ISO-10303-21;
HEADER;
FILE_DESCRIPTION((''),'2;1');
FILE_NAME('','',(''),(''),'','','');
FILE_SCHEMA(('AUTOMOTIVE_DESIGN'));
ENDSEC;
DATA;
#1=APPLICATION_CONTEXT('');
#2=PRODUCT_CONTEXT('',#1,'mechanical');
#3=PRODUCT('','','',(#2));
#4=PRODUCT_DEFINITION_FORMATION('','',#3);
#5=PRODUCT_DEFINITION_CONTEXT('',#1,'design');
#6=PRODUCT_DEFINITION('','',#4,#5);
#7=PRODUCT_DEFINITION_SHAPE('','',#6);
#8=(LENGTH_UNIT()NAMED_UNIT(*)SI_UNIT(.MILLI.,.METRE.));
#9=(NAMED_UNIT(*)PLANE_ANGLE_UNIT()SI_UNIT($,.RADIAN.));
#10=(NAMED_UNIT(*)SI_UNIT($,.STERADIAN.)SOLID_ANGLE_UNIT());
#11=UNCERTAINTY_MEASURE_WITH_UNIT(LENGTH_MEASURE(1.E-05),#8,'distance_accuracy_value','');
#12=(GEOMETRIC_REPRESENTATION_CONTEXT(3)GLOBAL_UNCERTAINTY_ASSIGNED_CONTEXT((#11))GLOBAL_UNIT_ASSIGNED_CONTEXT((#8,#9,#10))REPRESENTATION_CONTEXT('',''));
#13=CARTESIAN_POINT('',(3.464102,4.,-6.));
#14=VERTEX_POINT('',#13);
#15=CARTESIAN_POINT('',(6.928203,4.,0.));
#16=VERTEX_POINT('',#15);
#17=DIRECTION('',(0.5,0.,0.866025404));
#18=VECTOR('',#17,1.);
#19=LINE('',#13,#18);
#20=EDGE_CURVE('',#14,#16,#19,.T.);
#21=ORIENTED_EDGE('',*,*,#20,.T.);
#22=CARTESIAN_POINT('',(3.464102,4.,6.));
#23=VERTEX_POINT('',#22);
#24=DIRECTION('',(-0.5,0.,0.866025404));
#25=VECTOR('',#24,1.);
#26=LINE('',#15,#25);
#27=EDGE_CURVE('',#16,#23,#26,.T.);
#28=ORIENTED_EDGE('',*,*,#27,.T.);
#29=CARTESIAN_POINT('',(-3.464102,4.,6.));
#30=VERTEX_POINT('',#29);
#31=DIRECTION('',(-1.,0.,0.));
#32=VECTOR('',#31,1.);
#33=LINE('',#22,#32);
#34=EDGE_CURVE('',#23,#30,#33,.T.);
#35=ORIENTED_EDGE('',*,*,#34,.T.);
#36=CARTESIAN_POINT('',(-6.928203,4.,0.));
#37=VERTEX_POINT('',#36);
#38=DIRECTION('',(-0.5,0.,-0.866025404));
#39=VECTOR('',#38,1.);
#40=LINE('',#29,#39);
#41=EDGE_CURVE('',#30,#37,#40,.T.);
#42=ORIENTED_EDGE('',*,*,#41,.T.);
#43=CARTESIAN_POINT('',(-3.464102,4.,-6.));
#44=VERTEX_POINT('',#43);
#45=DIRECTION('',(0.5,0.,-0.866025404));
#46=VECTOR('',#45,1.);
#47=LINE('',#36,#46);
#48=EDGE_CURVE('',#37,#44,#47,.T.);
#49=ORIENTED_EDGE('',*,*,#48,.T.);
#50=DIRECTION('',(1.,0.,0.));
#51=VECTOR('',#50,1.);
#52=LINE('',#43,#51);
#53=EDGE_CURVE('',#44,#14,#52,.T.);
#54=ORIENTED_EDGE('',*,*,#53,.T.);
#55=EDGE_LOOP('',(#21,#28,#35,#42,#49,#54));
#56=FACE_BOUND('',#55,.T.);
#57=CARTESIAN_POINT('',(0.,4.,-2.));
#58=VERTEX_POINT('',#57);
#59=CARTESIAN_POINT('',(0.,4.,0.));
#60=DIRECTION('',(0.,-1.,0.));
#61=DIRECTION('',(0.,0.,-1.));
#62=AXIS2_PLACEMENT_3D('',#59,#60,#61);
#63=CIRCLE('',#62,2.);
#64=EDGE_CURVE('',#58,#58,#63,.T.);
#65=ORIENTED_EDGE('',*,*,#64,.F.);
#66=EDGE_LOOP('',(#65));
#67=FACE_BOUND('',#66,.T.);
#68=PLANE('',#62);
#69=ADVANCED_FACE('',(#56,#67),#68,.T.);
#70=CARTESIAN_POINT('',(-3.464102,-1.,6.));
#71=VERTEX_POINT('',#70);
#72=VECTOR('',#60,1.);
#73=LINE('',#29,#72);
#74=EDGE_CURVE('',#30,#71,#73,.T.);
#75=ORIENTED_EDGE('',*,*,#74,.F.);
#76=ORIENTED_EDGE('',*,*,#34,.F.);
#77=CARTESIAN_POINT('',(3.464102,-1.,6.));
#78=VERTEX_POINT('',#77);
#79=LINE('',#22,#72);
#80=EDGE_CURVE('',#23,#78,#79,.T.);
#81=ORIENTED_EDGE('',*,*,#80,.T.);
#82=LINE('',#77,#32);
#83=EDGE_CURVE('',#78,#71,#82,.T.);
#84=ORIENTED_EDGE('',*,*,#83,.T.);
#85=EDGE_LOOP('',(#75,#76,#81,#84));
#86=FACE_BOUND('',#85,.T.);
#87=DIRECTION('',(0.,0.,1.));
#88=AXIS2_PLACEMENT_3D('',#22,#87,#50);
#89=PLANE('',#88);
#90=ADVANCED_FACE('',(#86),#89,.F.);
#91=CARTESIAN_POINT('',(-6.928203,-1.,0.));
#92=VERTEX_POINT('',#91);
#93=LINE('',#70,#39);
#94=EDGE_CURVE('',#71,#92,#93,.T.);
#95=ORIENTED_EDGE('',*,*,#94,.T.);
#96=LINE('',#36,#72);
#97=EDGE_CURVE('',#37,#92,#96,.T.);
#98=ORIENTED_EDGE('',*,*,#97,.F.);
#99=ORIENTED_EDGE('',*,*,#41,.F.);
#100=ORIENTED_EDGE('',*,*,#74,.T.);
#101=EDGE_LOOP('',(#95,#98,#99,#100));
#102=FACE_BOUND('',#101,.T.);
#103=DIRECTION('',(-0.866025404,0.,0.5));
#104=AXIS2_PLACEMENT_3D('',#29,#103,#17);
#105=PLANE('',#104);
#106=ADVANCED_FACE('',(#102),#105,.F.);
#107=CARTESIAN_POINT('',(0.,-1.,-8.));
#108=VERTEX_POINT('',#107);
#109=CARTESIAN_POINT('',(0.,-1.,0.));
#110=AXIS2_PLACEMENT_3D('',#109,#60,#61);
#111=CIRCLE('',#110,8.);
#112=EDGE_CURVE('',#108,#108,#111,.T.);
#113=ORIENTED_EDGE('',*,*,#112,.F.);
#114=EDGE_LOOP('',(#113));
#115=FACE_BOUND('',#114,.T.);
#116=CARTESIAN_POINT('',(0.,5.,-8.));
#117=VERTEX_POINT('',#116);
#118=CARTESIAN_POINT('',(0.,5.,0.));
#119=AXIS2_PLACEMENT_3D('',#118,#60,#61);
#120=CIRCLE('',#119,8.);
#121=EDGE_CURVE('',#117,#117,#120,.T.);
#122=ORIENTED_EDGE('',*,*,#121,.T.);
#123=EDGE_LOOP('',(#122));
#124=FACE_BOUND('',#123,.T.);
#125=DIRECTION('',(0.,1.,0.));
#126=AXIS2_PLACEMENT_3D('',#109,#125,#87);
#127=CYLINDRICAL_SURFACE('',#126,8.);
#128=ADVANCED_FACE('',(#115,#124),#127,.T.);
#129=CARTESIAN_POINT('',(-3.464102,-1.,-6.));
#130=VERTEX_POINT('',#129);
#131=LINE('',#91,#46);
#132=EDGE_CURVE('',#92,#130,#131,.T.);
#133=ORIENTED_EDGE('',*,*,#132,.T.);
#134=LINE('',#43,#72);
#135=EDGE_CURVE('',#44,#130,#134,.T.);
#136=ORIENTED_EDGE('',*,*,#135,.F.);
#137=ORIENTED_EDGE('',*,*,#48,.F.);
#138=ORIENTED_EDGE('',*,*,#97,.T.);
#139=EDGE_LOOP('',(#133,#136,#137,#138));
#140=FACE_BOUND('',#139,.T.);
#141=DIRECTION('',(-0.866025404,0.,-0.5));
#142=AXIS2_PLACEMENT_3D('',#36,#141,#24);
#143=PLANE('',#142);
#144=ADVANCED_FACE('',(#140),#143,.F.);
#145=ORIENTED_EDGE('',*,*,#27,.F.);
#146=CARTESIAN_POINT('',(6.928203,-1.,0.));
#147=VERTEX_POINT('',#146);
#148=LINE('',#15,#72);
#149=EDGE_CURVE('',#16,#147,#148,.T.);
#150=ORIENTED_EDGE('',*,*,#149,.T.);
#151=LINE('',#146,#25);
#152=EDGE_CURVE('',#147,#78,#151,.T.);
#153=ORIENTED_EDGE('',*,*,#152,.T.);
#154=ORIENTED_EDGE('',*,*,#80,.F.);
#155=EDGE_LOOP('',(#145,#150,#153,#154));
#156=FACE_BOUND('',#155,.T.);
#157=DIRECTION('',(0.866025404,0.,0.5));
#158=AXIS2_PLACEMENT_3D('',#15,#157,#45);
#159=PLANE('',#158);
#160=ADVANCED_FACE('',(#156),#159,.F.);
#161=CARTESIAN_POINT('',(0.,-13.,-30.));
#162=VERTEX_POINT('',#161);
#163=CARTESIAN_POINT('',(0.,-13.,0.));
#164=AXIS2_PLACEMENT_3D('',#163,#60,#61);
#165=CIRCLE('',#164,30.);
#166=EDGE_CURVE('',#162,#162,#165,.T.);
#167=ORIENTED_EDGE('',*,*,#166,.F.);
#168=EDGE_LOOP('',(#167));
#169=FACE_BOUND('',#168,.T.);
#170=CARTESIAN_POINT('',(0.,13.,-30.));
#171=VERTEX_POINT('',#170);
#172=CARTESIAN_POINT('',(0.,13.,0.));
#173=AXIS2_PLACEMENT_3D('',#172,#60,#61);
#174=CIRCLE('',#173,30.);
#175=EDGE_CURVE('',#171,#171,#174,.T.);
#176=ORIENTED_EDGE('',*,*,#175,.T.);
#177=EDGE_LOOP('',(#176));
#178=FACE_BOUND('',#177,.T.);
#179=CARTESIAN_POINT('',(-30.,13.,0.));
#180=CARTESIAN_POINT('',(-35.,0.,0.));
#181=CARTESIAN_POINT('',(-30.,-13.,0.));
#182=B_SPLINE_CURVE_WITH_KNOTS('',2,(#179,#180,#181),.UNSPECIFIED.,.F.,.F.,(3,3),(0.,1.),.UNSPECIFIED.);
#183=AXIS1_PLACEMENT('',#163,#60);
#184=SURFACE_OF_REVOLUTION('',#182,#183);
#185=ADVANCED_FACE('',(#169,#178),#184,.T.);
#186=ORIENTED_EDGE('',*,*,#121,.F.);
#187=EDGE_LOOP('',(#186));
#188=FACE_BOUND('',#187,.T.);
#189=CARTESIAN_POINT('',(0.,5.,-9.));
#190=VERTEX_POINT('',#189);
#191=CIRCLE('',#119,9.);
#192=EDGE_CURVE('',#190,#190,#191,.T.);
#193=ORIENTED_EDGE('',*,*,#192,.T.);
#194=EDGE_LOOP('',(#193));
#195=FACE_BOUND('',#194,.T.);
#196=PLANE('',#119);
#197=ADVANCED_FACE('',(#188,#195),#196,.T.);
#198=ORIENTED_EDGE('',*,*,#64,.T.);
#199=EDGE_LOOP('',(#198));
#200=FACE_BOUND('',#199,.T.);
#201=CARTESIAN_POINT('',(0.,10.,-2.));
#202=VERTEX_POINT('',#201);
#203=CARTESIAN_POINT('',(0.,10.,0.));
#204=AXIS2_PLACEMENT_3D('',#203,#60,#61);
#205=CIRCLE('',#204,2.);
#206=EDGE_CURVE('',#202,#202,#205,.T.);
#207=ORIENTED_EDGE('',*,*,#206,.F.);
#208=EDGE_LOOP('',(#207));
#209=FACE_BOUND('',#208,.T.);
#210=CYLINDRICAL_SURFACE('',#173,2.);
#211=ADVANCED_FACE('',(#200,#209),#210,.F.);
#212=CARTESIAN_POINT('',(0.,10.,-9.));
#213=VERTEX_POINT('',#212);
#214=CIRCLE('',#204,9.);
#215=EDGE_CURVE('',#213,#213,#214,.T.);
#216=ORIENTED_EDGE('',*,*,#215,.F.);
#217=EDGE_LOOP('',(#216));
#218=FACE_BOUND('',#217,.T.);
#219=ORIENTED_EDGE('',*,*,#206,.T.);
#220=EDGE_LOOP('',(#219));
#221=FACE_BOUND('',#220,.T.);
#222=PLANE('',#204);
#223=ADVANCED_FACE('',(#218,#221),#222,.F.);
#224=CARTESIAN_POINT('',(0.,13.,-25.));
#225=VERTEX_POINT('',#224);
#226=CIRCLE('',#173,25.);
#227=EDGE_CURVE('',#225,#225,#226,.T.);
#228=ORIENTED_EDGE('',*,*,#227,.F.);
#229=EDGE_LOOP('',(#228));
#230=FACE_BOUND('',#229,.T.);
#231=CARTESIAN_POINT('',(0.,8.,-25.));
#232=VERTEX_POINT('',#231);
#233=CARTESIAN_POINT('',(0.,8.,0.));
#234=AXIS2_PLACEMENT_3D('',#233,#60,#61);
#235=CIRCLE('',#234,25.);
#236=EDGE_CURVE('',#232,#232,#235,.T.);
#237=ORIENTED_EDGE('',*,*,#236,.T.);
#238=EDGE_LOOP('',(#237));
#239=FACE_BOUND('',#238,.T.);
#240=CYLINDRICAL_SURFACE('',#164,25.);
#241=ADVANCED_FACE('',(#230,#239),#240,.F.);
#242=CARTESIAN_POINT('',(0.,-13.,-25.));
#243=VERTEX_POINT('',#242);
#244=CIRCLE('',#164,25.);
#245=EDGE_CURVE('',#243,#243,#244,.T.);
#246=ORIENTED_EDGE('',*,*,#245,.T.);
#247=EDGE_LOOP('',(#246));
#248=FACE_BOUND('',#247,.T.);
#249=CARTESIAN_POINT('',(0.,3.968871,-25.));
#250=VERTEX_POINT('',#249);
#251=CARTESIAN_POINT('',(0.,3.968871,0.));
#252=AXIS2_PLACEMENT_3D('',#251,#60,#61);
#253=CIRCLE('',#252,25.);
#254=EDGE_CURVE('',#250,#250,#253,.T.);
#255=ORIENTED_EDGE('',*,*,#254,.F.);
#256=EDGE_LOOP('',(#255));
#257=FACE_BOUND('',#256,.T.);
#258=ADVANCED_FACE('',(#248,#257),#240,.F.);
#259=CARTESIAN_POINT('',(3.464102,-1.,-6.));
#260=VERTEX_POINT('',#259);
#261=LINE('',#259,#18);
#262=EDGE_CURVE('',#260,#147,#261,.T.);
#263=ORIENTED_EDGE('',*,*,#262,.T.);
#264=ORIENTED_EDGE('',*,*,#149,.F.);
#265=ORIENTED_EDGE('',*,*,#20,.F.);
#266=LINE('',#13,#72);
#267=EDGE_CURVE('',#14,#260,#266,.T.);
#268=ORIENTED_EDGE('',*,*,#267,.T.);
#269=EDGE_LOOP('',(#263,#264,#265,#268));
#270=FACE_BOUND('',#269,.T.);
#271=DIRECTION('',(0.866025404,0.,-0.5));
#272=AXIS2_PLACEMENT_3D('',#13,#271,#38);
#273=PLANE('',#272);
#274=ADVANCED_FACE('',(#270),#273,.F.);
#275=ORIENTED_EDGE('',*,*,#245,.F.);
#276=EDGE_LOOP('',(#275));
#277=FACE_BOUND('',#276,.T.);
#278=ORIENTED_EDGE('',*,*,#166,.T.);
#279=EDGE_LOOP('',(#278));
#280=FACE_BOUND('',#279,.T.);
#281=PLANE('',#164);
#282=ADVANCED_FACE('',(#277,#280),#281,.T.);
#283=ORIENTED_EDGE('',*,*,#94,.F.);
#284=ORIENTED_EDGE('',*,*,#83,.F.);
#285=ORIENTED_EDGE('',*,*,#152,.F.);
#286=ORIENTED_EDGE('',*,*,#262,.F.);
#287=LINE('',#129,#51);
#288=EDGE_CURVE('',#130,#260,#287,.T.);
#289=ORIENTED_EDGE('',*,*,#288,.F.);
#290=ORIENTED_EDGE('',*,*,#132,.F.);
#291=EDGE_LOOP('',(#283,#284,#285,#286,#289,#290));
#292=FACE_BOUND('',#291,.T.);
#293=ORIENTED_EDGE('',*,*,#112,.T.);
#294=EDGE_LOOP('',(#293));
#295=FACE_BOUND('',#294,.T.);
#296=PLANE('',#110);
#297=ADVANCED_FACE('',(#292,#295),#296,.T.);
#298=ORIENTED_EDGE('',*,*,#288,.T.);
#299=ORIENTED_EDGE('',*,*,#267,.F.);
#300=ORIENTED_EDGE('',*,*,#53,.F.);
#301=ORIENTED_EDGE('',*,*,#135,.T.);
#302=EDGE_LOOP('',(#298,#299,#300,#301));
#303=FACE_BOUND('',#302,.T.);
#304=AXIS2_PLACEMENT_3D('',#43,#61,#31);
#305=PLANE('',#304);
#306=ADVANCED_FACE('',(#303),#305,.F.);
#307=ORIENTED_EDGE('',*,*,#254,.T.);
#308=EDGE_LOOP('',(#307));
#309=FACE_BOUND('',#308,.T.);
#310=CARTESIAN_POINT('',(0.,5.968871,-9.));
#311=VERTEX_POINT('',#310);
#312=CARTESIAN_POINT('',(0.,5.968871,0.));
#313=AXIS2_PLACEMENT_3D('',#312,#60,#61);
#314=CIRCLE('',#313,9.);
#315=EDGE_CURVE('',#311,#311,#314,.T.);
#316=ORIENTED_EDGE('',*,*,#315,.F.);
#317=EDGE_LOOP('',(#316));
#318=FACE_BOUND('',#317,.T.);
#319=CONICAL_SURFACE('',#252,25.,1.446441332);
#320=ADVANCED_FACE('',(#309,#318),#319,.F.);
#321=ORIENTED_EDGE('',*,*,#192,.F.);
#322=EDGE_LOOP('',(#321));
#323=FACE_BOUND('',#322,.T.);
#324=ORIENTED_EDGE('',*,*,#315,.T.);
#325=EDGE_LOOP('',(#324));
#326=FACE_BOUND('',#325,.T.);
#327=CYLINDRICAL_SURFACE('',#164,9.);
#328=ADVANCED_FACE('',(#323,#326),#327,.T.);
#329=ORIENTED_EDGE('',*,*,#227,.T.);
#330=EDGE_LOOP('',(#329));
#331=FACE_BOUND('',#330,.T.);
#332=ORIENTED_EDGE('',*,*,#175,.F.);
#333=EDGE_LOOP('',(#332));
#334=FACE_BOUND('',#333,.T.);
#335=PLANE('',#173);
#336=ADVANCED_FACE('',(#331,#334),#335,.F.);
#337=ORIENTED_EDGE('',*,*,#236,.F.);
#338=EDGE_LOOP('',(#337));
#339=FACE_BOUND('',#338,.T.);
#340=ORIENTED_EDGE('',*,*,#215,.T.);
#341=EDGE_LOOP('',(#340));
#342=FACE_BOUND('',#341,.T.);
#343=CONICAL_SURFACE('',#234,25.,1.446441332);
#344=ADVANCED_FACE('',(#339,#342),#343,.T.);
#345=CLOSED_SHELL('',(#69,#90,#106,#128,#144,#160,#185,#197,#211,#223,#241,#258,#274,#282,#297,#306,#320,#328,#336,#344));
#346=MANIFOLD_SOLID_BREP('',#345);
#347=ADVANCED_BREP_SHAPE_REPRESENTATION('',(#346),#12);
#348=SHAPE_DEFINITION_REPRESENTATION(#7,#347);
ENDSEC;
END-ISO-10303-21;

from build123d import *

# Parameters (mm, degrees)
SKETCH2_R           = 8
BOSS_EXTRUDE1_DEPTH = 6
CUT_EXTRUDE1_DEPTH  = 5
SKETCH4_R           = 2
CUT_EXTRUDE2_DEPTH  = 10.0000001


with BuildPart() as part:
    # Sketch1 → Revolve1 (revolve)
    with BuildSketch(Plane.XY):
        with BuildLine():
            Line((-30, -13), (-30, 13))
            add(Edge.make_bspline(
                [(-30, 13), (-35, 0), (-30, -13)],
                knots=[0, 0, 0, 1, 1, 1], degree=2))
        make_face()
        Polygon((-25, 3.968871126), (-25, 8), (-25, 13), (-30, 13), (-30, -13), (-25, -13), align=None)
        Polygon((-9, 10), (-25, 8), (-25, 3.968871126), (-9, 5.968871126), align=None)
        Polygon((0, 10), (-9, 10), (-9, 5.968871126), (-9, 5), (0, 5), align=None)
    revolve(axis=Axis((0, -13, 0), (0, 1, 0)))

    # Sketch2 → Boss-Extrude1 (add)
    with BuildSketch(Plane.XZ.offset(-5)):
        Circle(SKETCH2_R)
    extrude(amount=BOSS_EXTRUDE1_DEPTH)

    # Sketch3 → Cut-Extrude1 (cut)
    with BuildSketch(Plane.XZ.offset(1)):
        Polygon((6.92820323, 0), (3.464101615, 6), (-3.464101615, 6), (-6.92820323, 0), (-3.464101615, -6), (3.464101615, -6), align=None)
    extrude(amount=-CUT_EXTRUDE1_DEPTH, mode=Mode.SUBTRACT)

    # Sketch4 → Cut-Extrude2 (cut, through all)
    with BuildSketch(Plane.XZ.offset(-4)):
        Circle(SKETCH4_R)
    extrude(amount=-CUT_EXTRUDE2_DEPTH, mode=Mode.SUBTRACT)


solid = part.part
